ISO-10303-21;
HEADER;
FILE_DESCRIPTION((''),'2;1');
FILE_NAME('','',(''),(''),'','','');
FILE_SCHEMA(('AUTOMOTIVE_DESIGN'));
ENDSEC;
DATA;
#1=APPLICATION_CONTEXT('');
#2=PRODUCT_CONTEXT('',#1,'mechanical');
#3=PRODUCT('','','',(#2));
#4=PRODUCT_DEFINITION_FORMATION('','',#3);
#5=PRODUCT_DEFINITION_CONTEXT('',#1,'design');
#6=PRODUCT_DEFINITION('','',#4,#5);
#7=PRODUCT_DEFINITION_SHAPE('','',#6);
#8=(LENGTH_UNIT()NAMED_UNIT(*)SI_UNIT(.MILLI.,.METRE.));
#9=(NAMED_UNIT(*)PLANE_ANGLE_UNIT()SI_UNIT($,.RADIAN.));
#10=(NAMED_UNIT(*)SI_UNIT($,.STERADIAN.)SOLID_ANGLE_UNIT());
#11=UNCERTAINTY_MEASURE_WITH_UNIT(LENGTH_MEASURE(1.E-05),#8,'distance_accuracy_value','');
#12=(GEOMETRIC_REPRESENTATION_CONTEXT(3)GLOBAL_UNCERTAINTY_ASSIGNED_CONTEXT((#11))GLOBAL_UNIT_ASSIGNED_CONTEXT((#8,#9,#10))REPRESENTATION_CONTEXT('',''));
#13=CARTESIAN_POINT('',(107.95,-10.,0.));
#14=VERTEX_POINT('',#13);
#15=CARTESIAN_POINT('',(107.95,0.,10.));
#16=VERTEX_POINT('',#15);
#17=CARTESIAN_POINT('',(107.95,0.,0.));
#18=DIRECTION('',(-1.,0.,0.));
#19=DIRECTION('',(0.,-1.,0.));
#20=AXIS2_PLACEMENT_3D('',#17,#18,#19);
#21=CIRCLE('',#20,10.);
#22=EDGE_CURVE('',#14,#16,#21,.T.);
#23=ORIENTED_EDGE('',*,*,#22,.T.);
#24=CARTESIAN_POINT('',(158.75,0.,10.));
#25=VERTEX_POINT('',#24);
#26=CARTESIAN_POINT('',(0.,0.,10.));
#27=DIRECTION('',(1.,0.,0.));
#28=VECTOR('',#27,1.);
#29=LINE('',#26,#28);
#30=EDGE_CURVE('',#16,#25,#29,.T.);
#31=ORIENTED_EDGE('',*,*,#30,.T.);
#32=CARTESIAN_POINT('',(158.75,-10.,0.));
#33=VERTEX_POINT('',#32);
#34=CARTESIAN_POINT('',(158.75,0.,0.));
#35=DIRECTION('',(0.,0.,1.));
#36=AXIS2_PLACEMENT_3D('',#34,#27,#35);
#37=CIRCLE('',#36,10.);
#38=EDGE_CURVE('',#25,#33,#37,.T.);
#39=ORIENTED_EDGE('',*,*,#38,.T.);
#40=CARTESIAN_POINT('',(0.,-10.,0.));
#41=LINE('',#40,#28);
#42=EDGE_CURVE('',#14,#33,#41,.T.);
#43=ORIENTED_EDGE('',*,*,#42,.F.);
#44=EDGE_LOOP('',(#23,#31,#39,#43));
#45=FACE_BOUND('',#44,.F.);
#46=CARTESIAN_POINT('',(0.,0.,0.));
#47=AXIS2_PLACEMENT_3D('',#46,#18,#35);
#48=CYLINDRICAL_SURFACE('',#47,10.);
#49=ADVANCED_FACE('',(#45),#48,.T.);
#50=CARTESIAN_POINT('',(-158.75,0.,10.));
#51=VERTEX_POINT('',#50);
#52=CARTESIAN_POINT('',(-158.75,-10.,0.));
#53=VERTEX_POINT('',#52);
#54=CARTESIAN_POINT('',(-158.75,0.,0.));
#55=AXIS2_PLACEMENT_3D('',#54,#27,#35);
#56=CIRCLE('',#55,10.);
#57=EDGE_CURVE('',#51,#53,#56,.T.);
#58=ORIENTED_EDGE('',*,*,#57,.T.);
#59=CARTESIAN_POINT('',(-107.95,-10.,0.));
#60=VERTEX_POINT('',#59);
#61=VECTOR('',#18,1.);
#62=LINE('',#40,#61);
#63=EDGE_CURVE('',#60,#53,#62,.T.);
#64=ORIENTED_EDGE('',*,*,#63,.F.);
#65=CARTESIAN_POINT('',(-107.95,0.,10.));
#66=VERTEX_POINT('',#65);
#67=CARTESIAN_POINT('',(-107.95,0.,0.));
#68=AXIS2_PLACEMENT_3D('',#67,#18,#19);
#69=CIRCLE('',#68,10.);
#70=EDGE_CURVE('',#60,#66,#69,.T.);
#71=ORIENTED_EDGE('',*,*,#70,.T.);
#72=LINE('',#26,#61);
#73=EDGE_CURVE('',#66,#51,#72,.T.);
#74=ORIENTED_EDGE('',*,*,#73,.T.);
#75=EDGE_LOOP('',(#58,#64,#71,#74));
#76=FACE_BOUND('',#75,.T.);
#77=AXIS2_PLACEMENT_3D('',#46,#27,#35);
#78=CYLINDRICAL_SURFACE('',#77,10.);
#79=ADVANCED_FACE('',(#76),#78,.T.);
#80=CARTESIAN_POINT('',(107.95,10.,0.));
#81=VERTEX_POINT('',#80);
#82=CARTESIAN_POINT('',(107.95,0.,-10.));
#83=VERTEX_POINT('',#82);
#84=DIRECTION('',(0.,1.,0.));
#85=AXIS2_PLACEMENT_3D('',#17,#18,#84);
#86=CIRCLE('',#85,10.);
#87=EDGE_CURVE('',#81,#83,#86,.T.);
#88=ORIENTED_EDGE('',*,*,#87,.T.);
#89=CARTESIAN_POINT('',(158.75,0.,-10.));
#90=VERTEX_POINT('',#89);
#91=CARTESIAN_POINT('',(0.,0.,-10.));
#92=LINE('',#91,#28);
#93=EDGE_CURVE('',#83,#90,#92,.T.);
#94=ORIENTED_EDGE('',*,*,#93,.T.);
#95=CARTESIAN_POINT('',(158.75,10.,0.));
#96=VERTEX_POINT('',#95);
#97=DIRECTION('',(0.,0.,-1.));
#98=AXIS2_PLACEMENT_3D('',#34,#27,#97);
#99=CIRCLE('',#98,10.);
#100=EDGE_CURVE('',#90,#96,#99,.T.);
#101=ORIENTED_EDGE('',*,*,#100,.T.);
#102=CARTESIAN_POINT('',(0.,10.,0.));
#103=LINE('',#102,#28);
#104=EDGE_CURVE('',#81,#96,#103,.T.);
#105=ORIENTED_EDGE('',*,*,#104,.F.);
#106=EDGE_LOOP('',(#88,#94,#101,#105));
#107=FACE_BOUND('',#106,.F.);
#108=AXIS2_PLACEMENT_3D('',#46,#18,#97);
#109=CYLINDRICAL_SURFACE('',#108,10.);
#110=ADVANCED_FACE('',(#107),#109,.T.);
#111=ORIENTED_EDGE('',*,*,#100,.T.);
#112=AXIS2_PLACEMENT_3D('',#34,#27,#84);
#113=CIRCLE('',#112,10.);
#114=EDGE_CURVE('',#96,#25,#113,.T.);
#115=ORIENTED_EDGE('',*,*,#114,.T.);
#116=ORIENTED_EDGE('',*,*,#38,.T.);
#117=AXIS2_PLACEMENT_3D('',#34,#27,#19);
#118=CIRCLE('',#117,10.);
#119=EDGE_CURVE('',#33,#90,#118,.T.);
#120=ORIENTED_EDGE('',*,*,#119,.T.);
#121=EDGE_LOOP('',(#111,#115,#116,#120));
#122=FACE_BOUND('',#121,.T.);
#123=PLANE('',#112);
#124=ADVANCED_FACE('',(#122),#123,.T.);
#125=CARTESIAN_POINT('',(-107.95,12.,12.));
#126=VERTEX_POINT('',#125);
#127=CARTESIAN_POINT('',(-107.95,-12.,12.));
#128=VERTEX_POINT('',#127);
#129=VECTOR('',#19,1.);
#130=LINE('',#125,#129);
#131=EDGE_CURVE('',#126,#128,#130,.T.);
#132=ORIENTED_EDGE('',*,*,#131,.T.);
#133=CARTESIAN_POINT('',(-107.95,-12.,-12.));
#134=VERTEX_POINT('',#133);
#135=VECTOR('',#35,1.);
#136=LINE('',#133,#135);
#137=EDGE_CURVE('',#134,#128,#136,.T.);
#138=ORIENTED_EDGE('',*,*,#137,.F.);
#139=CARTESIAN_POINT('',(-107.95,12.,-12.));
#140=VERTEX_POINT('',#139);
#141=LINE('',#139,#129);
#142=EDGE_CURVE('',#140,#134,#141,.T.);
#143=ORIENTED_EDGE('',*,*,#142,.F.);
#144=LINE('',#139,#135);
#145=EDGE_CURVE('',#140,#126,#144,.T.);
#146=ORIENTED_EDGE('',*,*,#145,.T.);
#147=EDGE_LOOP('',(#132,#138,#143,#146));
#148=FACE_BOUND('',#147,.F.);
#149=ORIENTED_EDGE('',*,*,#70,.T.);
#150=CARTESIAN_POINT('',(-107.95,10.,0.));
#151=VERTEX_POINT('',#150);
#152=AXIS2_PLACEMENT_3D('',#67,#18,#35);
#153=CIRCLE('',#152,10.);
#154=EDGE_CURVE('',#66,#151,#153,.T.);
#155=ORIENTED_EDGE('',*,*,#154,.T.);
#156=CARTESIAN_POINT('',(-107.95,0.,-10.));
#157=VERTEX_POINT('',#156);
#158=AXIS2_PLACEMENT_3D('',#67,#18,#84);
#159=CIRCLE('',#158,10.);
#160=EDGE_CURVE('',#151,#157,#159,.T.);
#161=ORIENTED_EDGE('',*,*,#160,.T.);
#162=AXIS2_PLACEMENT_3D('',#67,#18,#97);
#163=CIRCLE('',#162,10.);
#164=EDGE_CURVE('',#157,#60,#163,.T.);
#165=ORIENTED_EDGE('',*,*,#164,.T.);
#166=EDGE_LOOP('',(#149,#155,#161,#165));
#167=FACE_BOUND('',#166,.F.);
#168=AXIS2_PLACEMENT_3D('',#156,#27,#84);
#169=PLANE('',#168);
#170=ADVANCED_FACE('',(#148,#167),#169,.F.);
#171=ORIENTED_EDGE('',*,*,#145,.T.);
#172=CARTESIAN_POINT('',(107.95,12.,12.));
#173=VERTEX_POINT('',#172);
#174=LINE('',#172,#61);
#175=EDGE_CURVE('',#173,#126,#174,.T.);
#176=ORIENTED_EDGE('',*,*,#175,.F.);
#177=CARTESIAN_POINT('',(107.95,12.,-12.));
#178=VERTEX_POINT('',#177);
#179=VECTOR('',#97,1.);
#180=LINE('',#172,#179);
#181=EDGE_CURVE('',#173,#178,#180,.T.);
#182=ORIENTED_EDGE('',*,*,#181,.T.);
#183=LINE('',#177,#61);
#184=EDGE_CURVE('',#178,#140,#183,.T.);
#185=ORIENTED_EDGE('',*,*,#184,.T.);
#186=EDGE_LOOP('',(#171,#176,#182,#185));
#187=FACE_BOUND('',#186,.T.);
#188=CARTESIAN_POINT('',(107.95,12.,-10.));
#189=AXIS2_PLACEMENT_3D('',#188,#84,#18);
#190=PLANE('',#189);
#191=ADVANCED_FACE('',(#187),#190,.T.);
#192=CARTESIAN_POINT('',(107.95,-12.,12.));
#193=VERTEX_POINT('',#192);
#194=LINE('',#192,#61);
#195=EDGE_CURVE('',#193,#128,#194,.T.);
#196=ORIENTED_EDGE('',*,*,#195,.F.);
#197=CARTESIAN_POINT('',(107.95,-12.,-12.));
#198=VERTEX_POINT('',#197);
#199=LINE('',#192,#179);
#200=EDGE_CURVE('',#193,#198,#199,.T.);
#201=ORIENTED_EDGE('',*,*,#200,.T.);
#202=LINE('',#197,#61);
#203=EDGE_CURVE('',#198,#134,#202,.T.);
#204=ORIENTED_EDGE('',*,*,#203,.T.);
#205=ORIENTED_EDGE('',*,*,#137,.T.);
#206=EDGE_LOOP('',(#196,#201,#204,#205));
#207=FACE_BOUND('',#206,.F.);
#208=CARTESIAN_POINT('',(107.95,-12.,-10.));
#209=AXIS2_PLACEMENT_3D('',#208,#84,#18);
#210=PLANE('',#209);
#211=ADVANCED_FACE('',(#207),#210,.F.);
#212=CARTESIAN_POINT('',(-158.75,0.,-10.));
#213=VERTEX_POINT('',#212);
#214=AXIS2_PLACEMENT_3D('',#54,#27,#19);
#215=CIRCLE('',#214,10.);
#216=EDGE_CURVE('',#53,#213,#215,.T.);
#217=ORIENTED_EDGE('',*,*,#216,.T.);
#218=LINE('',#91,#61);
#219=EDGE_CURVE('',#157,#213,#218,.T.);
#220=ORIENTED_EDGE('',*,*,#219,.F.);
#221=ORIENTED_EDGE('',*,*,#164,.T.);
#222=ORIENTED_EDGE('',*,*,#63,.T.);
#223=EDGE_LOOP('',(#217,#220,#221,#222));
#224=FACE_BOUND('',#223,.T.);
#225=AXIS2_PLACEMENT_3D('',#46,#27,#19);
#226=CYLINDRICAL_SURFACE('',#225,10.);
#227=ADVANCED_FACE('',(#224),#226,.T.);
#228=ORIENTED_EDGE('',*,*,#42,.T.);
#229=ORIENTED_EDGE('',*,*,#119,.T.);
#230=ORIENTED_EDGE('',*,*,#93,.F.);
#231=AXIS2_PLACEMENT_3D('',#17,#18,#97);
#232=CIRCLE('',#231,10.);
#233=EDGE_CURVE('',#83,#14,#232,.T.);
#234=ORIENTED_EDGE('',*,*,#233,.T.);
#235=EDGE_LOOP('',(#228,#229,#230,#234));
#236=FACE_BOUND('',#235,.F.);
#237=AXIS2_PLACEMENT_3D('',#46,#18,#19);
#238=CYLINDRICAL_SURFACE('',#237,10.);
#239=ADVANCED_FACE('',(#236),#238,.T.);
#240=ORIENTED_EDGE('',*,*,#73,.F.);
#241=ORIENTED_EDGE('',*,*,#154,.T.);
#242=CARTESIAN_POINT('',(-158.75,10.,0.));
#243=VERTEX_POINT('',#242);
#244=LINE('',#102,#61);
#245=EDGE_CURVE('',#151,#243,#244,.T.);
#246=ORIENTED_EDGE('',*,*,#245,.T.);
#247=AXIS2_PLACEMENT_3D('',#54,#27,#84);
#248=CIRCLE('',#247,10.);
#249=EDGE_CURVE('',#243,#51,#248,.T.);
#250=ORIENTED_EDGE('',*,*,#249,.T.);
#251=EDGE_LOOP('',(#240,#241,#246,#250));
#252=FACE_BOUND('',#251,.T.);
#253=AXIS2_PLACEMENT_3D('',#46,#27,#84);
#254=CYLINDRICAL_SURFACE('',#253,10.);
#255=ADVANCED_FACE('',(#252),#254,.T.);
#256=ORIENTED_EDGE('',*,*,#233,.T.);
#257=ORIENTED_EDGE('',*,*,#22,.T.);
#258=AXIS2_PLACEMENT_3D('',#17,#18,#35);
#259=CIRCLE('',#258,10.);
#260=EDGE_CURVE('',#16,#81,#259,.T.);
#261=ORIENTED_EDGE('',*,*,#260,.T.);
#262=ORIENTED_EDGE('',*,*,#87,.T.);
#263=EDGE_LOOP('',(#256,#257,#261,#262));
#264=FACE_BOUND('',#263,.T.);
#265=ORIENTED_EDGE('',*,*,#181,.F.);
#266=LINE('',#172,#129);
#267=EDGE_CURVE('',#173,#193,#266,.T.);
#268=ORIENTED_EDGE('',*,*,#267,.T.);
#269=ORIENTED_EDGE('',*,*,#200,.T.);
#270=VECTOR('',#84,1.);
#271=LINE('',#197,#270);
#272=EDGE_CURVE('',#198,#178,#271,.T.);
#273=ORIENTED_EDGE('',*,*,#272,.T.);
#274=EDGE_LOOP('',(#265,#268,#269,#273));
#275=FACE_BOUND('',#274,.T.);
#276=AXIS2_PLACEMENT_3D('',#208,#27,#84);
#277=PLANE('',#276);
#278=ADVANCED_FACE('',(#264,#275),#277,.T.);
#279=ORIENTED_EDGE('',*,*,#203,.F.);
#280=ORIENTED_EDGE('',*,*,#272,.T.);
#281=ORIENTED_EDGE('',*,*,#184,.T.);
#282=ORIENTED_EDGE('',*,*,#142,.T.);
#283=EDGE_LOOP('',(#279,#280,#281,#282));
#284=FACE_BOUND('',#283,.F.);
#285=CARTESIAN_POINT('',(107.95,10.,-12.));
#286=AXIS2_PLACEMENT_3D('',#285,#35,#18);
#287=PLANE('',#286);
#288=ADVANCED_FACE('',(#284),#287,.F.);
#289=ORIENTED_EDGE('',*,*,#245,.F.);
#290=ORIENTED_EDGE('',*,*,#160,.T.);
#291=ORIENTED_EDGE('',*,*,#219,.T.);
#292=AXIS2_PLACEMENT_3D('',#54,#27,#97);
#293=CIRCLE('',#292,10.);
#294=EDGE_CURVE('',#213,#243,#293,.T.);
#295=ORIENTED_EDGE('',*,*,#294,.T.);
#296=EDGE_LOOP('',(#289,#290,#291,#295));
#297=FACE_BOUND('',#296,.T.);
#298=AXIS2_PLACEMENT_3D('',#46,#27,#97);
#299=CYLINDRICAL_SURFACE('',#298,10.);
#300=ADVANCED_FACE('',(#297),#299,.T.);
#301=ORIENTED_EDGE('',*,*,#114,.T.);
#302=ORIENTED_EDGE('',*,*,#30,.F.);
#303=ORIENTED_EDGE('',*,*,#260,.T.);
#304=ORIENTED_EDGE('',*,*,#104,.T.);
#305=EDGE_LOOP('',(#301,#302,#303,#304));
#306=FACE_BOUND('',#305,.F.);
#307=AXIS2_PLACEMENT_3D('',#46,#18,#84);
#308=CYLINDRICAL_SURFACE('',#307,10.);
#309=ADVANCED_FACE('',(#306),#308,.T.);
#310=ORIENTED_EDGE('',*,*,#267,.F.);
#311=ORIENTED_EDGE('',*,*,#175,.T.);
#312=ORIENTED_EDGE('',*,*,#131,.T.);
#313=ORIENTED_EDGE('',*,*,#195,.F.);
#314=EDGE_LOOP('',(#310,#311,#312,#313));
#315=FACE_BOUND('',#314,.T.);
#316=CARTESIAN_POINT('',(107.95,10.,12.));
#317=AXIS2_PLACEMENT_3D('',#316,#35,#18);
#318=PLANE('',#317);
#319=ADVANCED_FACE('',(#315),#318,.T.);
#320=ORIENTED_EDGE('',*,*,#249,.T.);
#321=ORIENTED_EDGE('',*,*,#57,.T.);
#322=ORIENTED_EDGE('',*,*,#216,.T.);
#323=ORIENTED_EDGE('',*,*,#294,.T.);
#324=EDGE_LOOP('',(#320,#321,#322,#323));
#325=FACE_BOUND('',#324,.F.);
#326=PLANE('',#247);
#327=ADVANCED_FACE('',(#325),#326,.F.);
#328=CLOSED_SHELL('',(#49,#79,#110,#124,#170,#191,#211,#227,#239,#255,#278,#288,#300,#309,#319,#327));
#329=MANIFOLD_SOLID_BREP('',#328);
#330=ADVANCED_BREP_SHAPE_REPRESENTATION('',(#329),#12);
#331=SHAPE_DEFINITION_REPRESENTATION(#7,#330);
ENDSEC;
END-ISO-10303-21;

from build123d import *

# Parameters (mm, degrees)
F1_DEPTH = 107.95
F2_DEPTH = 158.75
F4_DEPTH = 2
F5_DEPTH = 2
F6_DEPTH = 2
F7_DEPTH = 2


with BuildPart() as f1:
    # F0 (on Right) → F1 (new body, symmetric)
    with BuildSketch(Plane.YZ):
        with BuildLine():
            ThreePointArc((-10, 0), (-7.0710678119, 7.0710678119), (0, 10))
            Line((0, 10), (-10, 10))
            Line((-10, 10), (-10, 0))
        make_face()
    extrude(amount=F1_DEPTH, both=True)


with BuildPart() as f1b:
    # F0 (on Right) → F1, piece 2 (new body, symmetric)
    with BuildSketch(Plane.YZ):
        with BuildLine():
            ThreePointArc((0, 10), (7.0710678119, 7.0710678119), (10, 0))
            Line((10, 0), (10, 10))
            Line((10, 10), (0, 10))
        make_face()
    extrude(amount=F1_DEPTH, both=True)


with BuildPart() as f1c:
    # F0 (on Right) → F1, piece 3 (new body, symmetric)
    with BuildSketch(Plane.YZ):
        with BuildLine():
            Line((10, -10), (10, 0))
            ThreePointArc((10, 0), (7.0710678119, -7.0710678119), (0, -10))
            Line((0, -10), (10, -10))
        make_face()
    extrude(amount=F1_DEPTH, both=True)


with BuildPart() as f1d:
    # F0 (on Right) → F1, piece 4 (new body, symmetric)
    with BuildSketch(Plane.YZ):
        with BuildLine():
            Line((-10, -10), (0, -10))
            ThreePointArc((0, -10), (-7.0710678119, -7.0710678119), (-10, 0))
            Line((-10, 0), (-10, -10))
        make_face()
    extrude(amount=F1_DEPTH, both=True)


with BuildPart() as f2:
    # F0 (on Right) → F2 (new body, symmetric)
    with BuildSketch(Plane.YZ):
        with BuildLine():
            ThreePointArc((0, -10), (7.0710678119, -7.0710678119), (10, 0))
            ThreePointArc((10, 0), (7.0710678119, 7.0710678119), (0, 10))
            ThreePointArc((0, 10), (-7.0710678119, 7.0710678119), (-10, 0))
            ThreePointArc((-10, 0), (-7.0710678119, -7.0710678119), (0, -10))
        make_face()
    extrude(amount=F2_DEPTH, both=True)


with BuildPart() as f1_1:
    add(f1.part)

    # F3: union F1b, F2, F1c, F1d
    add(f1b.part)
    add(f2.part)
    add(f1c.part)
    add(f1d.part)

    # F4 (add): a face of the model
    f4_faces = [f1_1.faces().sort_by_distance(p)[0] for p in [
        (0, 0, 10),
    ]]
    extrude(f4_faces, amount=F4_DEPTH)

    # F5 (add): a face of the model
    f5_faces = [f1_1.faces().sort_by_distance(p)[0] for p in [
        (0, -10, 1),
    ]]
    extrude(f5_faces, amount=F5_DEPTH)

    # F6 (add): a face of the model
    f6_faces = [f1_1.faces().sort_by_distance(p)[0] for p in [
        (0, 10, 1),
    ]]
    extrude(f6_faces, amount=F6_DEPTH)

    # F7 (add): a face of the model
    f7_faces = [f1_1.faces().sort_by_distance(p)[0] for p in [
        (0, 0, -10),
    ]]
    extrude(f7_faces, amount=F7_DEPTH)


solid = f1_1.part
